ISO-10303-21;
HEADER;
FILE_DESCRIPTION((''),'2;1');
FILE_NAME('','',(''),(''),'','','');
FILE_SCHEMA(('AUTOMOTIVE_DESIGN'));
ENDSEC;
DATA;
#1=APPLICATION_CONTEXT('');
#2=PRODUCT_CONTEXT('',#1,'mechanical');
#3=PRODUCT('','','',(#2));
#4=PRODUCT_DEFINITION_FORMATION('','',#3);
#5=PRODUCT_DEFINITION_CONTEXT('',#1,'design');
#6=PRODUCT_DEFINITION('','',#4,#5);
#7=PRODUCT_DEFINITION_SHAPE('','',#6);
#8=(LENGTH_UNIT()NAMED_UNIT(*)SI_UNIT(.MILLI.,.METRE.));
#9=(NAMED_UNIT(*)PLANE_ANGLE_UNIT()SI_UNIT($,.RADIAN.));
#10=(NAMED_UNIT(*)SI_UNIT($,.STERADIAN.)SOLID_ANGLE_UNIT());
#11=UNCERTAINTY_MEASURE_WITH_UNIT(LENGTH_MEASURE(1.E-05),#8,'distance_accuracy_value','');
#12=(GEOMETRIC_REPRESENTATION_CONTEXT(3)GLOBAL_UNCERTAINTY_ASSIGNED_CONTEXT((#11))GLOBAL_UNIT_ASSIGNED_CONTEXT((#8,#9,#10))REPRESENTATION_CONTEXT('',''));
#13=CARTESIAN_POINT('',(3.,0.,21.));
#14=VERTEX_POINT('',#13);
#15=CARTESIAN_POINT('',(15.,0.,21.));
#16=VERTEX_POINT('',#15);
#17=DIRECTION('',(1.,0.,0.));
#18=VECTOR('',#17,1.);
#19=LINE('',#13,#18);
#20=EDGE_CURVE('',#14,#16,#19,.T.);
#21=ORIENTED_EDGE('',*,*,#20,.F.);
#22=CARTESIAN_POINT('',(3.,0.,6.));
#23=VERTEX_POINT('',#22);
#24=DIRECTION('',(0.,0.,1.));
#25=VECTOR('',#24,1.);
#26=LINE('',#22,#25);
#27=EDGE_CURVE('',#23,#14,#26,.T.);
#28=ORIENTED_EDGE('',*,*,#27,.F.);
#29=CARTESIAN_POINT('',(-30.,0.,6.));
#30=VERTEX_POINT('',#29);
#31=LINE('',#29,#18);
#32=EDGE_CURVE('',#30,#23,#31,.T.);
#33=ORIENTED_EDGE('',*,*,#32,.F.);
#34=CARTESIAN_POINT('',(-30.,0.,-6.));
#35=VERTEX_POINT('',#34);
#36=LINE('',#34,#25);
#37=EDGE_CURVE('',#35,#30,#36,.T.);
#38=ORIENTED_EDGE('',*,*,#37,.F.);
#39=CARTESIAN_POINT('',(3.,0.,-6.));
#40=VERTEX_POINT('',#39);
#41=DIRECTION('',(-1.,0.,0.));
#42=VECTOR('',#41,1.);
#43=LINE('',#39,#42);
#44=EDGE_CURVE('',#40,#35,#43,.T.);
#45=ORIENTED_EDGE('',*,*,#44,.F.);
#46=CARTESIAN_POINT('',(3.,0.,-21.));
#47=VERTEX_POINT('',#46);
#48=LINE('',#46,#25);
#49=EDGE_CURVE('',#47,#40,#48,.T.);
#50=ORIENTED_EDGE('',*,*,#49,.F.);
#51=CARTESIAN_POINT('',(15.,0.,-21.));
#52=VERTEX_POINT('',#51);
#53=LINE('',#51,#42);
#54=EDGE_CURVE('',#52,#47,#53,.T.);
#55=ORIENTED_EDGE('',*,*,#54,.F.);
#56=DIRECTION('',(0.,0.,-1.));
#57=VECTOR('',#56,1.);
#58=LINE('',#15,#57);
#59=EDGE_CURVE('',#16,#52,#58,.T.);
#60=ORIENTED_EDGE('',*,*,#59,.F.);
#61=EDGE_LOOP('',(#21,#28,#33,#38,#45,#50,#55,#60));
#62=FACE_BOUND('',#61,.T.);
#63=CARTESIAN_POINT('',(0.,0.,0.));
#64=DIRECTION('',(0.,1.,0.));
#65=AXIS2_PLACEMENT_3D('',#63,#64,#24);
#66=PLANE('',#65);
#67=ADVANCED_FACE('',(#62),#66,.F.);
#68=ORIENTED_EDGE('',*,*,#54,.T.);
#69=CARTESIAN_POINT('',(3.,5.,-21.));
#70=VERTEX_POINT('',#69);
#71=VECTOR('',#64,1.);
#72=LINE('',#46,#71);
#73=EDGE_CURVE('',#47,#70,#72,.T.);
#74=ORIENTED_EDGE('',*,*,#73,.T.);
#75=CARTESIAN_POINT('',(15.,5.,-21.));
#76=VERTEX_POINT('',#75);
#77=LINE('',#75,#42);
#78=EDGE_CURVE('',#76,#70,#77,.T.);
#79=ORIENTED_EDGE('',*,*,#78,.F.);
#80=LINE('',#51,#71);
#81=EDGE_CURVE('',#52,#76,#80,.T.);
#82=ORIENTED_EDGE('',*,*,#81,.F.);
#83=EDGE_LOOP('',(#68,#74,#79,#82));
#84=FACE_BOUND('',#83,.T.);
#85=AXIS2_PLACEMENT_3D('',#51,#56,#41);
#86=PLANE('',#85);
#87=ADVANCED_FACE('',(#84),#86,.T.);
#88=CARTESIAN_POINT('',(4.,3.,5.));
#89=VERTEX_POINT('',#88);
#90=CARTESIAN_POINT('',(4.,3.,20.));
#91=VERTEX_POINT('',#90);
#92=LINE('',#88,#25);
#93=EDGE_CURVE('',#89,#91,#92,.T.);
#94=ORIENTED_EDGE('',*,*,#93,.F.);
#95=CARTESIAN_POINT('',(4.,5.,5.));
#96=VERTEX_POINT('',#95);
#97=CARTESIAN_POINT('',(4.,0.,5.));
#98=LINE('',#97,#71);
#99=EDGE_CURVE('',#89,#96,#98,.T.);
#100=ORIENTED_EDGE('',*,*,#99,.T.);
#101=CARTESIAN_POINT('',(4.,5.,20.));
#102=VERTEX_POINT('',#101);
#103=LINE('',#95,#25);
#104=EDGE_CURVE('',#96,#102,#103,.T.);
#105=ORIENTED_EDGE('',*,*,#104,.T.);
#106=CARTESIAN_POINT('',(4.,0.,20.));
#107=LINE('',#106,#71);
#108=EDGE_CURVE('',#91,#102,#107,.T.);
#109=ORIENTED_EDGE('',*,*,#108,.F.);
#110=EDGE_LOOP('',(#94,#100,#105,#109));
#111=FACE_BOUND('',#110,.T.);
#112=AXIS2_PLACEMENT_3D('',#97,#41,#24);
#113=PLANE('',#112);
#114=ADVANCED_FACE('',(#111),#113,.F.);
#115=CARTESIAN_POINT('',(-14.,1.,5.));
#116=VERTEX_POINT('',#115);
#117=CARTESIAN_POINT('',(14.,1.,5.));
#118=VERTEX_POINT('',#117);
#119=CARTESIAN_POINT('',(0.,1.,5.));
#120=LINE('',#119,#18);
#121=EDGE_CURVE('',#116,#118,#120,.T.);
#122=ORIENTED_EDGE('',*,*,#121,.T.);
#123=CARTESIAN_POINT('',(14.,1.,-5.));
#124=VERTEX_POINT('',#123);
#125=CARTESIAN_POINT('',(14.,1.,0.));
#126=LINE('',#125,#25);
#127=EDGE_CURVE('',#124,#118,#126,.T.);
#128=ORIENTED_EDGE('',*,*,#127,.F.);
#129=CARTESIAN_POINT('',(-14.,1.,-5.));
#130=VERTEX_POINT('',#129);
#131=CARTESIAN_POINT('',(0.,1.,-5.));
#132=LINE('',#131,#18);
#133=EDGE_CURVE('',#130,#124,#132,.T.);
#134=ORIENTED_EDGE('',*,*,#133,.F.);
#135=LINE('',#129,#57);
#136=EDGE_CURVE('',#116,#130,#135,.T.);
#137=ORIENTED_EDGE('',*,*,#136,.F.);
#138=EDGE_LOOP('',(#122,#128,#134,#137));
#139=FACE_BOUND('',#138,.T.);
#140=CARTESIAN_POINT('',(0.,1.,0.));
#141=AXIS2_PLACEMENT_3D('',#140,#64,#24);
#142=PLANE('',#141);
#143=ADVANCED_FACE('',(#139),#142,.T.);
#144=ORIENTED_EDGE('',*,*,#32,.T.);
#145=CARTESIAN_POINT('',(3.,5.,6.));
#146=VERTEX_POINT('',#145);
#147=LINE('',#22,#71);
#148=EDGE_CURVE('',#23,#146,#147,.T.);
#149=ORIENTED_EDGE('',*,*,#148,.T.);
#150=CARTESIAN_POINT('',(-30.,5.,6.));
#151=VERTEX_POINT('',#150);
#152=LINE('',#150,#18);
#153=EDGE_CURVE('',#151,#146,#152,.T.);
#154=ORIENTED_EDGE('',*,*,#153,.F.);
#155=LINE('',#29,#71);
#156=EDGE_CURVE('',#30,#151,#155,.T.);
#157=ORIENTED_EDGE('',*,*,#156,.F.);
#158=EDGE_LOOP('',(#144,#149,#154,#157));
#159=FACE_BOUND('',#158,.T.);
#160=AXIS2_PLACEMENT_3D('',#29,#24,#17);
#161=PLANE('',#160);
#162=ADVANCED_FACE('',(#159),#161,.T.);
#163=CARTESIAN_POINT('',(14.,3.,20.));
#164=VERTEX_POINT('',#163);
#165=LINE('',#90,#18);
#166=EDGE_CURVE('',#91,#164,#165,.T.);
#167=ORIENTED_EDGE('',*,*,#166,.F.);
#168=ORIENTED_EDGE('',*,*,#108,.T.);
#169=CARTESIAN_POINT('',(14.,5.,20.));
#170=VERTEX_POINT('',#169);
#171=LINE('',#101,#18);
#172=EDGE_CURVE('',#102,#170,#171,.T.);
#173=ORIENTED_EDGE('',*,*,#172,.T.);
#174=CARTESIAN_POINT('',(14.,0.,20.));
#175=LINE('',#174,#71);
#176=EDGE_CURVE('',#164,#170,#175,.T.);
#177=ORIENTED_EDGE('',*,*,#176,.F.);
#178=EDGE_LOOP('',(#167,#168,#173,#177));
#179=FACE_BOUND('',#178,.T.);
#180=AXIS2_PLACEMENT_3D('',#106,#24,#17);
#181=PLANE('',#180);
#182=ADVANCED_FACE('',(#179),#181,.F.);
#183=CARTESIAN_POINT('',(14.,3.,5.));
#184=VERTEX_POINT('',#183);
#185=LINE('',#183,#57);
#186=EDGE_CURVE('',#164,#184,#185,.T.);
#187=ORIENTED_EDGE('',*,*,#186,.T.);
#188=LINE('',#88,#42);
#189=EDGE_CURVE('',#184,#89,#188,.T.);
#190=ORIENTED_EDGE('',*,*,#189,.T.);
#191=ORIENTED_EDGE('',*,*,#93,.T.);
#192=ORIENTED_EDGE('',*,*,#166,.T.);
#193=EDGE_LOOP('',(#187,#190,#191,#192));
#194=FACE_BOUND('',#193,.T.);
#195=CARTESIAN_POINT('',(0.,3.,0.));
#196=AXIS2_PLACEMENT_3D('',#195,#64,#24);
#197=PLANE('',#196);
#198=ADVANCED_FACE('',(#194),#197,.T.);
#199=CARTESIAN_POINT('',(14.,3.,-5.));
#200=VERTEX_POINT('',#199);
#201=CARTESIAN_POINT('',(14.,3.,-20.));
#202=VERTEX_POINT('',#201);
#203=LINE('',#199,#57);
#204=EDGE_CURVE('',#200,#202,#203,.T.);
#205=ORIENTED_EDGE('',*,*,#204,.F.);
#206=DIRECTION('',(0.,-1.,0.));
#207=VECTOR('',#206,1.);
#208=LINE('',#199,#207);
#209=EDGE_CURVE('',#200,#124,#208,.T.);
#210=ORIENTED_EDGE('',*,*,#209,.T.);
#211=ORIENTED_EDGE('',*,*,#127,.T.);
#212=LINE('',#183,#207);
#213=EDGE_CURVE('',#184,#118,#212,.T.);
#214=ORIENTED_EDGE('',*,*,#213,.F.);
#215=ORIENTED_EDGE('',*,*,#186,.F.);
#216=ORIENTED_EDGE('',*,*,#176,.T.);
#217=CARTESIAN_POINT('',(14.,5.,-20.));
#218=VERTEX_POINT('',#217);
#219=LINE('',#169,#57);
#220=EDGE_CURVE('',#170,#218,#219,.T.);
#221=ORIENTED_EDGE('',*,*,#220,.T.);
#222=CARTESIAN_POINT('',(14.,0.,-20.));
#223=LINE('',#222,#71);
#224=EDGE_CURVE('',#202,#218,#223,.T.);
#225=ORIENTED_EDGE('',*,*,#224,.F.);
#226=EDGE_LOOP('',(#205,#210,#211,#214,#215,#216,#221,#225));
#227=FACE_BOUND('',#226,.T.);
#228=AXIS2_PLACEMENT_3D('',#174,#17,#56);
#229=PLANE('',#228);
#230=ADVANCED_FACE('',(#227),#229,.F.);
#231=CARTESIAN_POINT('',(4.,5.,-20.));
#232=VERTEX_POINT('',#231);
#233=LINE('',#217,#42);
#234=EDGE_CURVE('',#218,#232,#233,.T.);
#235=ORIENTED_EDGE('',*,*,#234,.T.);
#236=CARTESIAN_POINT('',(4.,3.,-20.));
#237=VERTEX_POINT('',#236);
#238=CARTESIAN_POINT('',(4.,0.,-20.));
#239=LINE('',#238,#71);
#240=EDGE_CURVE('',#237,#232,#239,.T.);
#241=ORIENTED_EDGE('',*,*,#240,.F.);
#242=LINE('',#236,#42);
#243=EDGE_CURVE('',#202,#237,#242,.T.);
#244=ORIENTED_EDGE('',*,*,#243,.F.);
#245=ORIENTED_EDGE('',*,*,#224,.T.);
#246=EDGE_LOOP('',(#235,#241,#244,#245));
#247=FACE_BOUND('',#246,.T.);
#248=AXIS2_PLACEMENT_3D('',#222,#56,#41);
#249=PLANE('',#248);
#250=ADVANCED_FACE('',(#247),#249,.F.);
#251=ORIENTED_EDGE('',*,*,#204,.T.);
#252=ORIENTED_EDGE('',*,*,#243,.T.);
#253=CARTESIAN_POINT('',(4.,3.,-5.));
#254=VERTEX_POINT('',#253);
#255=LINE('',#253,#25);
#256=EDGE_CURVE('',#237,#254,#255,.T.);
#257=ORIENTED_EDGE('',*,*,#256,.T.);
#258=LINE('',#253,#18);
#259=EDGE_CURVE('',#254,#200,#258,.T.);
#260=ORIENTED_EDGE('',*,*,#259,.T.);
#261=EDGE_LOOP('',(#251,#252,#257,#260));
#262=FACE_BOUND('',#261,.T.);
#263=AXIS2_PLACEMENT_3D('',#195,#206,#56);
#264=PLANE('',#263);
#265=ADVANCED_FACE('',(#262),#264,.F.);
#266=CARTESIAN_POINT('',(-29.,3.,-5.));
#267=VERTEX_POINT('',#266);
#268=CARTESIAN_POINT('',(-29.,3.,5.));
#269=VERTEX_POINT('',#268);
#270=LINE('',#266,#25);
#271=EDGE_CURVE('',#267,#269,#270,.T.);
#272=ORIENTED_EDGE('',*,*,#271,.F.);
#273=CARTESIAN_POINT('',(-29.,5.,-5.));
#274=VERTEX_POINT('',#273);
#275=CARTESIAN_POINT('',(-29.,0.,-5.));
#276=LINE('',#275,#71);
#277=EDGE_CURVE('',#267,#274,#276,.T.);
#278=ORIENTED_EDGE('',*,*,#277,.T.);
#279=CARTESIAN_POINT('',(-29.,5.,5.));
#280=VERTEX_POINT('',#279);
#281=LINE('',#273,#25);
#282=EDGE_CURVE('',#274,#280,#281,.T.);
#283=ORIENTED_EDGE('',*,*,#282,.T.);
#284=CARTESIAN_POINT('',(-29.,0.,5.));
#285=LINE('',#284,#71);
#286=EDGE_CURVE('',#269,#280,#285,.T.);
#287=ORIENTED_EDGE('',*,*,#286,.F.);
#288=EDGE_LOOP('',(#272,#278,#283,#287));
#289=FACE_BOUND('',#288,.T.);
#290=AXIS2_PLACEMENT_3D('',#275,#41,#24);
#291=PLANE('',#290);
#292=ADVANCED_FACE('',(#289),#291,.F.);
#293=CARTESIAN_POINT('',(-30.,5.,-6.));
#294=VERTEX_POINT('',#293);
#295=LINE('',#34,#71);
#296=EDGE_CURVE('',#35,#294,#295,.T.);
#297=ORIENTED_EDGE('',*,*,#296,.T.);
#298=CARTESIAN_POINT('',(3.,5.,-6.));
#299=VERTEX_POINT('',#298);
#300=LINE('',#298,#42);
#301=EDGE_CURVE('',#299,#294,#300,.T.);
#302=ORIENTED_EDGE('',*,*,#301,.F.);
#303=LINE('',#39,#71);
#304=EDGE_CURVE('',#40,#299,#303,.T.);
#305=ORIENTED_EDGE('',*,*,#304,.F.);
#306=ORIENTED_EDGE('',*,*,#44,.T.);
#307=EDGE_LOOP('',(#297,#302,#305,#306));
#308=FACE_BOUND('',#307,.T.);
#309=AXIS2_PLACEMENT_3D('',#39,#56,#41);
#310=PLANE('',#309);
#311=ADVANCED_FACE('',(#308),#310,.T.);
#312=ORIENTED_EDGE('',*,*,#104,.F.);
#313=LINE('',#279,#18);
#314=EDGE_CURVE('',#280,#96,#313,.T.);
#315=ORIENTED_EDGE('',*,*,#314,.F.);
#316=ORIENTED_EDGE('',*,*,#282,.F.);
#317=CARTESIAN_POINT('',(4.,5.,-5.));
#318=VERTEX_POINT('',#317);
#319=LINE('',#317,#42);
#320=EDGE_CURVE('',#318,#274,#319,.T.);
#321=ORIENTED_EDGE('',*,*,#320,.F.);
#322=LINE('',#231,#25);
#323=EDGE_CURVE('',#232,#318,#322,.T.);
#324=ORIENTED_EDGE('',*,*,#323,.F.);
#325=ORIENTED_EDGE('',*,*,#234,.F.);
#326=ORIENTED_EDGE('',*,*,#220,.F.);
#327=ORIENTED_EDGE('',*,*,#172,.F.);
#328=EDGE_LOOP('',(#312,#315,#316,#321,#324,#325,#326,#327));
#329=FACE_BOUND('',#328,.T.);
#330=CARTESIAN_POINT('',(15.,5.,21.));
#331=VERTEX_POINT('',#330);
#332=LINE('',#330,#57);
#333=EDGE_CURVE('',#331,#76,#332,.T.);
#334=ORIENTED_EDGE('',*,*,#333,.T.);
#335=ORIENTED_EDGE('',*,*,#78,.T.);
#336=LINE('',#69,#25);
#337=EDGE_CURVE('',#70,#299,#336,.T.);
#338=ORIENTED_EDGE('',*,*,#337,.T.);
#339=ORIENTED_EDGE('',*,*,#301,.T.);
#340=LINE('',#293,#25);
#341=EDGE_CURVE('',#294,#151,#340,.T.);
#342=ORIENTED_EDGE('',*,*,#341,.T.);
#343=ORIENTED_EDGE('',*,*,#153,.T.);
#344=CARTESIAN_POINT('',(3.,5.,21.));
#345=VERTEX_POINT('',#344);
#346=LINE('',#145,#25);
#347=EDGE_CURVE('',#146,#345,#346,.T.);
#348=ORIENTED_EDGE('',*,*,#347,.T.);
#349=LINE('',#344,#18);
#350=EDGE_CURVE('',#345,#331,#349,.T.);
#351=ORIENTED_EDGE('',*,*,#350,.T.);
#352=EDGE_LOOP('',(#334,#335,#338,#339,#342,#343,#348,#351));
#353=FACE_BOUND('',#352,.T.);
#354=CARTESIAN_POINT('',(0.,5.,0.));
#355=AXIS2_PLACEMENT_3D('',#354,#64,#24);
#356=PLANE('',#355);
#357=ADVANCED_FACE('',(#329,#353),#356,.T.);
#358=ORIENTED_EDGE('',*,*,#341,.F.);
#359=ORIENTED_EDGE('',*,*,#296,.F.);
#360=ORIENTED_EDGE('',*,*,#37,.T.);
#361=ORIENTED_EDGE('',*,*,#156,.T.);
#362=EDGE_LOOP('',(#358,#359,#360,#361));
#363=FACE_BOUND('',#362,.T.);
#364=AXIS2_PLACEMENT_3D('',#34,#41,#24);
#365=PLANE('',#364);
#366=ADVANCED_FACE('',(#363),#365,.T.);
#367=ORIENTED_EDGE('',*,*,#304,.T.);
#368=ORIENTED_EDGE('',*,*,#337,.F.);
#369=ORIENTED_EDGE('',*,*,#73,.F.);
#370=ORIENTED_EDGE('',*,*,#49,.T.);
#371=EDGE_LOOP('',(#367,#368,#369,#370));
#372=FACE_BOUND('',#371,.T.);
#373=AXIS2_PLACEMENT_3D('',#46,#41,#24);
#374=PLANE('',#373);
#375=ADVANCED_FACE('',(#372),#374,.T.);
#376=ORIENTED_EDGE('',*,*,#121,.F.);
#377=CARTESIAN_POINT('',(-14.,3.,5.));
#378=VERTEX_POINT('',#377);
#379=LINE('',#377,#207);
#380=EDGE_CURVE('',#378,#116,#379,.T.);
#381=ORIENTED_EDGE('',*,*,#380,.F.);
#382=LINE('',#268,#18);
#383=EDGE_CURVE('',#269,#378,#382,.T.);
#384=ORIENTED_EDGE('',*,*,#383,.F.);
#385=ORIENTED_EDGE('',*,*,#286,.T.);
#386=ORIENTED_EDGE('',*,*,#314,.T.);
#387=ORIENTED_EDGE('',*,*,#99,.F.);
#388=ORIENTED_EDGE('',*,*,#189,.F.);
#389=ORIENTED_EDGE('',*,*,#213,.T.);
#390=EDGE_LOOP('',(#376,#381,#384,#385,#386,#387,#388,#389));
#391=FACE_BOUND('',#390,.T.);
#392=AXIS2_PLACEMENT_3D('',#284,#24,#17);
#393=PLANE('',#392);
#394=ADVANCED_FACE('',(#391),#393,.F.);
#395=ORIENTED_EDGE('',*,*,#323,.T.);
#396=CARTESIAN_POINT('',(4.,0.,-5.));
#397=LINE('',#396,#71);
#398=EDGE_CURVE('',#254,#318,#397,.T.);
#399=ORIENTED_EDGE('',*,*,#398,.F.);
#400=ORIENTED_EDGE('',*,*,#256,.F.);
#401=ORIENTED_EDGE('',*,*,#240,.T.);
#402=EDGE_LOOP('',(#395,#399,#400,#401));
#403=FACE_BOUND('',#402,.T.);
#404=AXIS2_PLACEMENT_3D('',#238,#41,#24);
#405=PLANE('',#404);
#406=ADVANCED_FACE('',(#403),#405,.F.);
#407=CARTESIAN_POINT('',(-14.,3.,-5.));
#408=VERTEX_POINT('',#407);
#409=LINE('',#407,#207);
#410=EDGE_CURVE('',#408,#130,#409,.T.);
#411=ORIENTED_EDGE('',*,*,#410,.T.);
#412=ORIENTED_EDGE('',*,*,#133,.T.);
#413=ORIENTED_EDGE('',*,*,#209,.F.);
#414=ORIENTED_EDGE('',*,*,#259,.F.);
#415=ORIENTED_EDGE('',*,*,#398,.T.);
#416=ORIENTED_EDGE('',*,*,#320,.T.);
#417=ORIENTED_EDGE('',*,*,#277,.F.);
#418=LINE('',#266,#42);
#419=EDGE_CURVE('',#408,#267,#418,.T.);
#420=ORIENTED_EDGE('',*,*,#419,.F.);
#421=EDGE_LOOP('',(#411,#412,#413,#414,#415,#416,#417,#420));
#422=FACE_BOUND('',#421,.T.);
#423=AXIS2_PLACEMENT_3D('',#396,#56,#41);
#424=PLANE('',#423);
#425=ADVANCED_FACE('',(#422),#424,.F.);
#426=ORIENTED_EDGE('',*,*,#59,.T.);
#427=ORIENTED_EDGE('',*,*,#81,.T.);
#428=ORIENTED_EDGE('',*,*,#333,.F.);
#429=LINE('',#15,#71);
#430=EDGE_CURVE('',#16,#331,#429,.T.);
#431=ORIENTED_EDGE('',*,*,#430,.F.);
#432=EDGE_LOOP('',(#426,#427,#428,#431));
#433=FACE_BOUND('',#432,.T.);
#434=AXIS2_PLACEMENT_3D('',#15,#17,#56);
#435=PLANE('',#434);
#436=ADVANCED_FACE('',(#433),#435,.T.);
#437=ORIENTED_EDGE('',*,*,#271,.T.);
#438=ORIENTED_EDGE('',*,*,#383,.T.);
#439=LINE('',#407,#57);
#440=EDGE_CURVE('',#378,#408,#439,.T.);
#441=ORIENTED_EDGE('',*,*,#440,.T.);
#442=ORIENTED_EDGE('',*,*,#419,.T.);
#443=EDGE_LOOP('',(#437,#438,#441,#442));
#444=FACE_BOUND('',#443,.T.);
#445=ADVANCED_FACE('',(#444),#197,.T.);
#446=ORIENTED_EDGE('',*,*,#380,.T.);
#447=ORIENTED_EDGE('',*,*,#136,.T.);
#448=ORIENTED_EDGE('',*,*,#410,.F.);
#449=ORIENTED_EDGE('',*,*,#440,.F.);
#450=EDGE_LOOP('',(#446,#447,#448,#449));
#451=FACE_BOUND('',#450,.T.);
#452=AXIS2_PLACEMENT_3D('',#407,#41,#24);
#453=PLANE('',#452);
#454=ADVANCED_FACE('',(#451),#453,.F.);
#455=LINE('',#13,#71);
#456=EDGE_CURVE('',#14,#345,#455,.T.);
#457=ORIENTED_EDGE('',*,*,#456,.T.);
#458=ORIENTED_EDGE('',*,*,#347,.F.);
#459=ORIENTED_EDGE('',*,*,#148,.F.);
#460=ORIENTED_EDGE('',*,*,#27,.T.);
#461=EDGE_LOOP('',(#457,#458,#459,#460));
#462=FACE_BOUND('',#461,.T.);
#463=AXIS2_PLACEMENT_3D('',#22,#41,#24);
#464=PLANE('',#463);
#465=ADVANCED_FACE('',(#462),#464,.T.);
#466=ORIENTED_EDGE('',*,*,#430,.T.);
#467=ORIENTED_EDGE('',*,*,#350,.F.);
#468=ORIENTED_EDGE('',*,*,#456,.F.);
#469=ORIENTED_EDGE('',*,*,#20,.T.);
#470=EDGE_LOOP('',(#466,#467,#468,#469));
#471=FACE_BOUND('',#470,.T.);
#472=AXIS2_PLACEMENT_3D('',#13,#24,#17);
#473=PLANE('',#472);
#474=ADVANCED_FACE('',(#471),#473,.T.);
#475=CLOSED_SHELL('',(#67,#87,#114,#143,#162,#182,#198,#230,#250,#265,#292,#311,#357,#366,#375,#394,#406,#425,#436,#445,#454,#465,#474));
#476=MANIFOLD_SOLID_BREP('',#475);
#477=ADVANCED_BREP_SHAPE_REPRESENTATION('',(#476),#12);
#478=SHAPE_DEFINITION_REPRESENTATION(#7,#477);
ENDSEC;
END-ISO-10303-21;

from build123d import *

# Parameters (mm, degrees)
SKETCH_2_W           = 43
SKETCH_2_H           = 10
SKETCH_2_W_2         = 10
SKETCH_2_H_2         = 15
EXTRUDE_1_DEPTH      = 1
EXTRUDE_2_DEPTH      = 4
EXTRUDE_2_DEPTH_BACK = 1
SKETCH_4_W           = 15
SKETCH_4_H           = 10
SKETCH_4_W_2         = 10
SKETCH_4_H_2         = 15
EXTRUDE_3_DEPTH      = 2


with BuildPart() as part:
    # 草图2 → 凸台-拉伸1 (new body)
    with BuildSketch(Plane(origin=(0, 0, 0), x_dir=(1, 0, 0), z_dir=(0, 1, 0))):
        with Locations((-7.5, 0)):
            Rectangle(SKETCH_2_W, SKETCH_2_H)
        with Locations((9, 12.5)):
            Rectangle(SKETCH_2_W_2, SKETCH_2_H_2)
        with Locations((9, -12.5)):
            Rectangle(SKETCH_2_W_2, SKETCH_2_H_2)
    extrude(amount=EXTRUDE_1_DEPTH)

    # 草图3 → 凸台-拉伸2 (add, two sides)
    with BuildSketch(Plane(origin=(0, 1, 0), x_dir=(1, 0, 0), z_dir=(0, 1, 0))) as extrude_2_sk:
        Polygon((15, -21), (15, 21), (3, 21), (3, 6), (-30, 6), (-30, -6), (3, -6), (3, -21), align=None)
        Polygon((14, -20), (14, 20), (4, 20), (4, 5), (-29, 5), (-29, -5), (4, -5), (4, -20), align=None, mode=Mode.SUBTRACT)
    extrude(amount=EXTRUDE_2_DEPTH)
    extrude(extrude_2_sk.sketch, amount=-EXTRUDE_2_DEPTH_BACK)

    # 草图4 → 凸台-拉伸3 (add)
    with BuildSketch(Plane(origin=(0, 1, 0), x_dir=(1, 0, 0), z_dir=(0, 1, 0))):
        with Locations((-21.5, 0)):
            Rectangle(SKETCH_4_W, SKETCH_4_H)
        with Locations((9, 12.5)):
            Rectangle(SKETCH_4_W_2, SKETCH_4_H_2)
        with Locations((9, -12.5)):
            Rectangle(SKETCH_4_W_2, SKETCH_4_H_2)
    extrude(amount=EXTRUDE_3_DEPTH)


solid = part.part
